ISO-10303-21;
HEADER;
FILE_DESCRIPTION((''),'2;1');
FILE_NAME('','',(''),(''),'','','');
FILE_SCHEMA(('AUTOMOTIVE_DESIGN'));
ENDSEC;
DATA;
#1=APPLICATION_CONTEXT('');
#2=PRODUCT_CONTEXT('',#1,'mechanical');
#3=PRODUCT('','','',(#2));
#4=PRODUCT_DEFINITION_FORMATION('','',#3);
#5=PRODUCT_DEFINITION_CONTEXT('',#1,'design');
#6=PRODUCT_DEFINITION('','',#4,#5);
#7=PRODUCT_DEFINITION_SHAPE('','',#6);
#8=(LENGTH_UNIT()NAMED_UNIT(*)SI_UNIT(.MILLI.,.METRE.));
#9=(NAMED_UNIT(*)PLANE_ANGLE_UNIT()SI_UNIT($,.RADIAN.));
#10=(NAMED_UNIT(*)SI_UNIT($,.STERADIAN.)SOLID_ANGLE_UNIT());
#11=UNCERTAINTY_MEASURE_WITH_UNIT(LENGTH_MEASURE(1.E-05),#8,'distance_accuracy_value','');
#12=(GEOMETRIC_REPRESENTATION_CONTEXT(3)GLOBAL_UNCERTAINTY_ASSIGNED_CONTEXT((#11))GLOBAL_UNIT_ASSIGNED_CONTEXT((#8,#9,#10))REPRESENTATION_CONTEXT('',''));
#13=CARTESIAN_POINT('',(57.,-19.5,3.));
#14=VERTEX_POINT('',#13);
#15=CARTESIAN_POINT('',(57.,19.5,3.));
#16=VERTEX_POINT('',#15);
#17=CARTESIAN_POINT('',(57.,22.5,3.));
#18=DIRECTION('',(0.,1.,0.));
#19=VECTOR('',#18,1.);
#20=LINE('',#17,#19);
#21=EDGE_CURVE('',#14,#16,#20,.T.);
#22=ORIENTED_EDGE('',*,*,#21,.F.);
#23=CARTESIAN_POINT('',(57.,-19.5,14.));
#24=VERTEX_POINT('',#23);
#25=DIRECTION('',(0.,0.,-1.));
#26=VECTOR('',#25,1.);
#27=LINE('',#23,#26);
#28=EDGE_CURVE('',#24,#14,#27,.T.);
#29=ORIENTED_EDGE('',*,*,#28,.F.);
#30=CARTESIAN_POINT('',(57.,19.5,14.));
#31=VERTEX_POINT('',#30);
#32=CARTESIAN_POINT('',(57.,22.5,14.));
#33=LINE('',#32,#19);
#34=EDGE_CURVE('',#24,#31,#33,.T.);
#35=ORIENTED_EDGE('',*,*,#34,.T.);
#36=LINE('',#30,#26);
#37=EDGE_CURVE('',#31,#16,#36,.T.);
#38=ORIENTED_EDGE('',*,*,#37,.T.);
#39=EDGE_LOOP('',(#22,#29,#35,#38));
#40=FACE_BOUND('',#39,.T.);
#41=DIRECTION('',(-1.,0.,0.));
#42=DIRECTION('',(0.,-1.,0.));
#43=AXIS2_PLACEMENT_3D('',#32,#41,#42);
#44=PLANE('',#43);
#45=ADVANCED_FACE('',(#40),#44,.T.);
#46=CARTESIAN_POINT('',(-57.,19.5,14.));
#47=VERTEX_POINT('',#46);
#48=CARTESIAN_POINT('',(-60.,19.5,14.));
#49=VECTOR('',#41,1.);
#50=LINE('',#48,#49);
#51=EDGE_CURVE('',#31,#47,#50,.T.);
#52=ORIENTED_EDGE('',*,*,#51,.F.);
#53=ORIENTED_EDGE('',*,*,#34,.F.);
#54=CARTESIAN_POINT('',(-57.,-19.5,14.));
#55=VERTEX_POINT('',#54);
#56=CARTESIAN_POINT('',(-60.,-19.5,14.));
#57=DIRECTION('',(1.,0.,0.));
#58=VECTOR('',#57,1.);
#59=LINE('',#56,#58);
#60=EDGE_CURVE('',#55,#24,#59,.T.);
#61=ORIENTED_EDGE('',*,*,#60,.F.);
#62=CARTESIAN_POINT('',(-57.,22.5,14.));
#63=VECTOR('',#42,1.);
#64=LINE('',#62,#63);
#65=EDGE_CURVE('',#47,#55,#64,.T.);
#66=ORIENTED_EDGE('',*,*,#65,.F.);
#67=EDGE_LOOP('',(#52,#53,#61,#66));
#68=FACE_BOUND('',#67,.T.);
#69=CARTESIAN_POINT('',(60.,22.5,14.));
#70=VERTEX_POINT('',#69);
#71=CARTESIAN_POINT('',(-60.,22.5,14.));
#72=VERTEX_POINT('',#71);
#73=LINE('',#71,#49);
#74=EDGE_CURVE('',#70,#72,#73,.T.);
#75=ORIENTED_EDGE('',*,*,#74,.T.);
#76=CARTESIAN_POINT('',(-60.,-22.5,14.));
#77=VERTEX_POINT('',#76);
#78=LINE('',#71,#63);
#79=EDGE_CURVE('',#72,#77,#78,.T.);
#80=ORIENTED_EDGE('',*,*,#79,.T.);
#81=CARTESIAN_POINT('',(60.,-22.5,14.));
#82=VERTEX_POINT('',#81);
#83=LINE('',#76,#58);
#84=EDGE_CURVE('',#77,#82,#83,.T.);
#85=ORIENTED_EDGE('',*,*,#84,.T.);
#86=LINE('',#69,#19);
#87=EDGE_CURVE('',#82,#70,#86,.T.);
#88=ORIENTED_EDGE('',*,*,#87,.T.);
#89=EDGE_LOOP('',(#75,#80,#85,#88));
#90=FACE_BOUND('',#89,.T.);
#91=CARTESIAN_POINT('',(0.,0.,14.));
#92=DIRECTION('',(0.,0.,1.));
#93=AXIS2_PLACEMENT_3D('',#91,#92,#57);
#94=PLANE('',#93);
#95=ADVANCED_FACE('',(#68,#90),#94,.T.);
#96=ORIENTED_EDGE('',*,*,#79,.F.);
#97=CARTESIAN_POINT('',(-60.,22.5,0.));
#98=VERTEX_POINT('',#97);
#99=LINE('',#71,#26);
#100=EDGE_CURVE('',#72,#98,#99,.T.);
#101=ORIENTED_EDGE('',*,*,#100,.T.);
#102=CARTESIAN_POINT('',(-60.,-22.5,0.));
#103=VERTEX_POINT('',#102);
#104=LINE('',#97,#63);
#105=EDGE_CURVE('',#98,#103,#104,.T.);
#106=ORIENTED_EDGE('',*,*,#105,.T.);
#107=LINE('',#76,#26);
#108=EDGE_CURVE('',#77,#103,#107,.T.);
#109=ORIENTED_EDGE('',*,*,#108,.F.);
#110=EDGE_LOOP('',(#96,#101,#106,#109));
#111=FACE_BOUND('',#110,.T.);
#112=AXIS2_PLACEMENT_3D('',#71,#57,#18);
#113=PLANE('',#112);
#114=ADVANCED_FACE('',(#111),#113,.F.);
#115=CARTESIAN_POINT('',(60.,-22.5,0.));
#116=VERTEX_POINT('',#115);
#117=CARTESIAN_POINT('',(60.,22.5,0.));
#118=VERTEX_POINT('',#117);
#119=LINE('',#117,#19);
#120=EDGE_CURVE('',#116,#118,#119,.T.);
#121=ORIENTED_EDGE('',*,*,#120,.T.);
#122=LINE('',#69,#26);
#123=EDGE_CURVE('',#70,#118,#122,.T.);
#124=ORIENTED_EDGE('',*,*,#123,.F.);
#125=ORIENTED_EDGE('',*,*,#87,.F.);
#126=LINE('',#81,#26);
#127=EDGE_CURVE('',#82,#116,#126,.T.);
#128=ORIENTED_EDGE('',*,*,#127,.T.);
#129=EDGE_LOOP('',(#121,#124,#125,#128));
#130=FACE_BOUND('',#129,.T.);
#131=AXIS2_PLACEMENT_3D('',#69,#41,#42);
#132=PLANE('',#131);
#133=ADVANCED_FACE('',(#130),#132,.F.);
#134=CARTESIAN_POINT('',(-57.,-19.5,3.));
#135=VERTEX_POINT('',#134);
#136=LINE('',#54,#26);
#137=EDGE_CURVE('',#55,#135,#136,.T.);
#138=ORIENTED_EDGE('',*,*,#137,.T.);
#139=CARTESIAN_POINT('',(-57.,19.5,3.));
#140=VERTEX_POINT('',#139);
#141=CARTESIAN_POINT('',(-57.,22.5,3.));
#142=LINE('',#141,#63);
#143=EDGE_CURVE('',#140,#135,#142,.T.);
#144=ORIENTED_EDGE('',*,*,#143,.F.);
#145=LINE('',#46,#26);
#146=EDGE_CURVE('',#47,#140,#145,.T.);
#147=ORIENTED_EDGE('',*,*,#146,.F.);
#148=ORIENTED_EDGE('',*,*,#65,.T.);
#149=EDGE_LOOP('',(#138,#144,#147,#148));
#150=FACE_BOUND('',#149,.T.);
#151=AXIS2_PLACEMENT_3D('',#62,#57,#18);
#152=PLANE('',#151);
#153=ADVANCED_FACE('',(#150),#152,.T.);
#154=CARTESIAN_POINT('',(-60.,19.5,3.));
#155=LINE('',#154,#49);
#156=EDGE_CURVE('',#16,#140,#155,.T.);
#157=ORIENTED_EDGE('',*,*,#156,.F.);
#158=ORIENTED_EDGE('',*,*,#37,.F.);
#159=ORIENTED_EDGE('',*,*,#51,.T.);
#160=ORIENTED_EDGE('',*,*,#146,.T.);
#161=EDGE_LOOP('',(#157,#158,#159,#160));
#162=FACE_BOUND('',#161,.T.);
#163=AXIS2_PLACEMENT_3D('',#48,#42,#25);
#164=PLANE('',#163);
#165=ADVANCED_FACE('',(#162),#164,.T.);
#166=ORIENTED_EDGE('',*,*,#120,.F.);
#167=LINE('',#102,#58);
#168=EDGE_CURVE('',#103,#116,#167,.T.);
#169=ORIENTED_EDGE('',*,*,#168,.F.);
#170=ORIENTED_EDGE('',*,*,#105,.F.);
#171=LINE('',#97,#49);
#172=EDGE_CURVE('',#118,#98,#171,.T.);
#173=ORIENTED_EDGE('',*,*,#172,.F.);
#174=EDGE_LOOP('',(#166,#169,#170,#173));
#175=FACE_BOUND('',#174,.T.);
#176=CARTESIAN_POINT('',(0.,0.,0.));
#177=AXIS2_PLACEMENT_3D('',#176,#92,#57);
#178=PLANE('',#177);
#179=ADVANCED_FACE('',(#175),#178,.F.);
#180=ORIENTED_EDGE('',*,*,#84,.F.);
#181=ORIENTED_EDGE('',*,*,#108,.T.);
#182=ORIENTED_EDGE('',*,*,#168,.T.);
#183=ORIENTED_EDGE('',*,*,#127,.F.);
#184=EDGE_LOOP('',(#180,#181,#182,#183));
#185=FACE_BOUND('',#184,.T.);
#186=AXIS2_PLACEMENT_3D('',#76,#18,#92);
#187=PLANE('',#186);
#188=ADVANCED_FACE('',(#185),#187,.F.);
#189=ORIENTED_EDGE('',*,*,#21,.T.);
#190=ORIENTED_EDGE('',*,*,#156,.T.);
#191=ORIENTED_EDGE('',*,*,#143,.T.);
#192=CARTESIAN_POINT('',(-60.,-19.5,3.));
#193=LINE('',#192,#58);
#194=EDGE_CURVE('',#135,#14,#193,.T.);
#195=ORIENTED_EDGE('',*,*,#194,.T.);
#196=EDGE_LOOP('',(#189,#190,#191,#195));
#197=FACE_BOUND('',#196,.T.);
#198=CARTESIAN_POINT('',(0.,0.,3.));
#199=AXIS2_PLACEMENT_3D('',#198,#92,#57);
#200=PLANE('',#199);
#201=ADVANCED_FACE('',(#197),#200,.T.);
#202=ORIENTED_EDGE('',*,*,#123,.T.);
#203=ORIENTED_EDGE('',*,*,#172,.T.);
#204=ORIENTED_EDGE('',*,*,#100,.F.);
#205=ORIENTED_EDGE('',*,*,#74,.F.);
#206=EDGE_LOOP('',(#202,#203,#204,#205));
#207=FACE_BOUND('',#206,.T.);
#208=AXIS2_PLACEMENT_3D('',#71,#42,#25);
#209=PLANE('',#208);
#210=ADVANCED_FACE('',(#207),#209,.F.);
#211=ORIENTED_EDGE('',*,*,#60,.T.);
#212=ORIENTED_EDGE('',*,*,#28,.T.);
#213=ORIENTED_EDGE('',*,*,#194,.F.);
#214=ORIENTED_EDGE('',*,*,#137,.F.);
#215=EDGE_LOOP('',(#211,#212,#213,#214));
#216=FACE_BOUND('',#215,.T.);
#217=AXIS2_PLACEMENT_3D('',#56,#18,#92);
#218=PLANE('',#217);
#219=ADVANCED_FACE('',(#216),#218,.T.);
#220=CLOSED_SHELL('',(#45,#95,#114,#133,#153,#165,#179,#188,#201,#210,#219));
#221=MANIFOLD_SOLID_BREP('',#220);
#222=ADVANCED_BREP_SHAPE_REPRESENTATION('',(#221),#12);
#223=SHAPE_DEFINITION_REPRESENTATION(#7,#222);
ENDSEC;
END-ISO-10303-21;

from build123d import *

# Parameters (mm, degrees)
SKETCH2_W           = 120
SKETCH2_H           = 45
BOSS_EXTRUDE2_DEPTH = 14
SHELL1_T            = -3


with BuildPart() as part:
    # Sketch2 → Boss-Extrude2 (new body)
    with BuildSketch(Plane.XY):
        Rectangle(SKETCH2_W, SKETCH2_H)
    extrude(amount=BOSS_EXTRUDE2_DEPTH)

    # Shell1
    shell1_openings = [part.faces().sort_by_distance(p)[0] for p in [
        (0, 0, 14),
    ]]
    offset(amount=SHELL1_T, openings=shell1_openings, kind=Kind.INTERSECTION)


solid = part.part
